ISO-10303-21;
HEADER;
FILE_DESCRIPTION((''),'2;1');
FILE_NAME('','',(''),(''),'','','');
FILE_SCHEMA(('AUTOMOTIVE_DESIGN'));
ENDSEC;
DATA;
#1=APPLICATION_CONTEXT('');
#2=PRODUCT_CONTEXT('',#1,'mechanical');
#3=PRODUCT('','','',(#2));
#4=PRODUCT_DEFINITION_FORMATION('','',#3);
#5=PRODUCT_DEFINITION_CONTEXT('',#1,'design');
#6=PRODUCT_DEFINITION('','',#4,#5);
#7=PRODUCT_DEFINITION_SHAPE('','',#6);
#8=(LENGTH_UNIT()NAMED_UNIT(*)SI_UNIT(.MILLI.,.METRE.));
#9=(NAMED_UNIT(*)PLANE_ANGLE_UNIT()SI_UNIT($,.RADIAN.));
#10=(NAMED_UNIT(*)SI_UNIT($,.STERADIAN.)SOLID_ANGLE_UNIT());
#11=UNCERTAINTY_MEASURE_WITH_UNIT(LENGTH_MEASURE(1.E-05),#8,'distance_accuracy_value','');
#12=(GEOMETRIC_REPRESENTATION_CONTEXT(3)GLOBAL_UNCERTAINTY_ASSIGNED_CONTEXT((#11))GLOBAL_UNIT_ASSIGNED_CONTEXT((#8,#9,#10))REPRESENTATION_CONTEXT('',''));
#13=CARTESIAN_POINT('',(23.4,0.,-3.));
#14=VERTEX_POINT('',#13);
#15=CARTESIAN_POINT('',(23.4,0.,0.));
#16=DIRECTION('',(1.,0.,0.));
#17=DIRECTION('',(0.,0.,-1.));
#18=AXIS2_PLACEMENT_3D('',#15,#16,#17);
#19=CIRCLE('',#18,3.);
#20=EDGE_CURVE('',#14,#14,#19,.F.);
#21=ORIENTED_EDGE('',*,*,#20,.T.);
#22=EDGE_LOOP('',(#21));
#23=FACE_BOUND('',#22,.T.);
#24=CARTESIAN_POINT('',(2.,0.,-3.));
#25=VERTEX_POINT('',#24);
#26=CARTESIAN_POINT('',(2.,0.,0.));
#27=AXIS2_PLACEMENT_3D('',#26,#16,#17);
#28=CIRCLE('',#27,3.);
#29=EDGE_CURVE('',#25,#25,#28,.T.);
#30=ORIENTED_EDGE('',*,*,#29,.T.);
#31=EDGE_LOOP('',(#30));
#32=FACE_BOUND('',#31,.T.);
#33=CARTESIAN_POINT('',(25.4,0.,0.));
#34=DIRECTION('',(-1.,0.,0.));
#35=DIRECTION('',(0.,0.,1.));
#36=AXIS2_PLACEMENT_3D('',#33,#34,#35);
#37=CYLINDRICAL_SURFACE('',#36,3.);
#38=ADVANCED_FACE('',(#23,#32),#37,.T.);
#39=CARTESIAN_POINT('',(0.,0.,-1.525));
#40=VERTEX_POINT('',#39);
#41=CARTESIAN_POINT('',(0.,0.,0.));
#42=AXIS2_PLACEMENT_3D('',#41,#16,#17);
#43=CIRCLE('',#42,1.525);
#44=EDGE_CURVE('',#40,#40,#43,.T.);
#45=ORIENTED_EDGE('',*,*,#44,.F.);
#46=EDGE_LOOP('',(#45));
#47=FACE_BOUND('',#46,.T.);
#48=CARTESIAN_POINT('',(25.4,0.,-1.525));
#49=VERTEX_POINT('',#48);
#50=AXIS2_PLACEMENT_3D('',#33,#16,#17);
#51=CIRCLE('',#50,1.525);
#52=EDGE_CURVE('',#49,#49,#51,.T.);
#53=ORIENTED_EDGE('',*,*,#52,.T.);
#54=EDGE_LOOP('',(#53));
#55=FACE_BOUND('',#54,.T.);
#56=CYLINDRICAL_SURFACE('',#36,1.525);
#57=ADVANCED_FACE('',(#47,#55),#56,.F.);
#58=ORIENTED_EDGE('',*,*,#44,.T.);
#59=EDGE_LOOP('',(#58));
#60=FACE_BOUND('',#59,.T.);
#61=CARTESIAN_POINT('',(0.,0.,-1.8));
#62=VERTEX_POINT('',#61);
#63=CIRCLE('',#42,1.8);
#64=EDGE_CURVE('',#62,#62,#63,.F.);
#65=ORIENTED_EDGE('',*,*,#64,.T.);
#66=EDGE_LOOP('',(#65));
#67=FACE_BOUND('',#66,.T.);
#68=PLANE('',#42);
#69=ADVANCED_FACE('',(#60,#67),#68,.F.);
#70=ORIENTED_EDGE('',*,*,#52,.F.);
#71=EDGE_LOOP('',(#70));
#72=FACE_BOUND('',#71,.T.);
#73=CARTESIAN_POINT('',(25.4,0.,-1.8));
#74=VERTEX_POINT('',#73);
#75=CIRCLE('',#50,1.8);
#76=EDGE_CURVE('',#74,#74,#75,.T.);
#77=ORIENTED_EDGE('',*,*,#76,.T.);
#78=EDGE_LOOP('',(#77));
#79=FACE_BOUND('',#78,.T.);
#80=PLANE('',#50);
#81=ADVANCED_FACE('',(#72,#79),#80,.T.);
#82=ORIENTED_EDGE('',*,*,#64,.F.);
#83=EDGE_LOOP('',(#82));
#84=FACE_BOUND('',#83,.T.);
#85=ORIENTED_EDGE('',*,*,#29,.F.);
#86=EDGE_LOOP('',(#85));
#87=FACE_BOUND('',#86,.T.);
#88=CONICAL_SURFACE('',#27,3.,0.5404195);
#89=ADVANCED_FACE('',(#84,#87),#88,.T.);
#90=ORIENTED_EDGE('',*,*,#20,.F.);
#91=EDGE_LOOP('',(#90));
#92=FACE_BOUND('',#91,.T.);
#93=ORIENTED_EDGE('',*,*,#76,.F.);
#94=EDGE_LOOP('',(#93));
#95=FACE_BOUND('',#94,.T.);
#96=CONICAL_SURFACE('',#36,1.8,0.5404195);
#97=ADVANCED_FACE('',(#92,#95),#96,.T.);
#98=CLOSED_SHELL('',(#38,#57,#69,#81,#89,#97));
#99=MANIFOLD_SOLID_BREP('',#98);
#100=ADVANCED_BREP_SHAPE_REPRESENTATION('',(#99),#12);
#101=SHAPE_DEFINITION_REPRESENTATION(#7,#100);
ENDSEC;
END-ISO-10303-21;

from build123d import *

# Parameters (mm, degrees)
SKETCH1_R           = 3
SKETCH1_R_2         = 1.525
BOSS_EXTRUDE1_DEPTH = 25.4
CHAMFER1_SIZE       = 2
CHAMFER1_SIZE2      = 1.2


with BuildPart() as part:
    # Sketch1 → Boss-Extrude1 (new body)
    with BuildSketch(Plane(origin=(0, 0, 0), x_dir=(0, 0, -1), z_dir=(1, 0, 0))):
        Circle(SKETCH1_R)
        Circle(SKETCH1_R_2, mode=Mode.SUBTRACT)
    extrude(amount=BOSS_EXTRUDE1_DEPTH)

    # Chamfer1
    chamfer1_edges = [part.edges().sort_by_distance(p)[0] for p in [
        (0, 0, 3),
        (25.4, 0, 3),
    ]]
    chamfer1_side = [part.faces().sort_by_distance(p)[0] for p in [
        (12.7, 0, 3),
    ]]
    chamfer(chamfer1_edges, length=CHAMFER1_SIZE, length2=CHAMFER1_SIZE2, reference=chamfer1_side[0])


solid = part.part
